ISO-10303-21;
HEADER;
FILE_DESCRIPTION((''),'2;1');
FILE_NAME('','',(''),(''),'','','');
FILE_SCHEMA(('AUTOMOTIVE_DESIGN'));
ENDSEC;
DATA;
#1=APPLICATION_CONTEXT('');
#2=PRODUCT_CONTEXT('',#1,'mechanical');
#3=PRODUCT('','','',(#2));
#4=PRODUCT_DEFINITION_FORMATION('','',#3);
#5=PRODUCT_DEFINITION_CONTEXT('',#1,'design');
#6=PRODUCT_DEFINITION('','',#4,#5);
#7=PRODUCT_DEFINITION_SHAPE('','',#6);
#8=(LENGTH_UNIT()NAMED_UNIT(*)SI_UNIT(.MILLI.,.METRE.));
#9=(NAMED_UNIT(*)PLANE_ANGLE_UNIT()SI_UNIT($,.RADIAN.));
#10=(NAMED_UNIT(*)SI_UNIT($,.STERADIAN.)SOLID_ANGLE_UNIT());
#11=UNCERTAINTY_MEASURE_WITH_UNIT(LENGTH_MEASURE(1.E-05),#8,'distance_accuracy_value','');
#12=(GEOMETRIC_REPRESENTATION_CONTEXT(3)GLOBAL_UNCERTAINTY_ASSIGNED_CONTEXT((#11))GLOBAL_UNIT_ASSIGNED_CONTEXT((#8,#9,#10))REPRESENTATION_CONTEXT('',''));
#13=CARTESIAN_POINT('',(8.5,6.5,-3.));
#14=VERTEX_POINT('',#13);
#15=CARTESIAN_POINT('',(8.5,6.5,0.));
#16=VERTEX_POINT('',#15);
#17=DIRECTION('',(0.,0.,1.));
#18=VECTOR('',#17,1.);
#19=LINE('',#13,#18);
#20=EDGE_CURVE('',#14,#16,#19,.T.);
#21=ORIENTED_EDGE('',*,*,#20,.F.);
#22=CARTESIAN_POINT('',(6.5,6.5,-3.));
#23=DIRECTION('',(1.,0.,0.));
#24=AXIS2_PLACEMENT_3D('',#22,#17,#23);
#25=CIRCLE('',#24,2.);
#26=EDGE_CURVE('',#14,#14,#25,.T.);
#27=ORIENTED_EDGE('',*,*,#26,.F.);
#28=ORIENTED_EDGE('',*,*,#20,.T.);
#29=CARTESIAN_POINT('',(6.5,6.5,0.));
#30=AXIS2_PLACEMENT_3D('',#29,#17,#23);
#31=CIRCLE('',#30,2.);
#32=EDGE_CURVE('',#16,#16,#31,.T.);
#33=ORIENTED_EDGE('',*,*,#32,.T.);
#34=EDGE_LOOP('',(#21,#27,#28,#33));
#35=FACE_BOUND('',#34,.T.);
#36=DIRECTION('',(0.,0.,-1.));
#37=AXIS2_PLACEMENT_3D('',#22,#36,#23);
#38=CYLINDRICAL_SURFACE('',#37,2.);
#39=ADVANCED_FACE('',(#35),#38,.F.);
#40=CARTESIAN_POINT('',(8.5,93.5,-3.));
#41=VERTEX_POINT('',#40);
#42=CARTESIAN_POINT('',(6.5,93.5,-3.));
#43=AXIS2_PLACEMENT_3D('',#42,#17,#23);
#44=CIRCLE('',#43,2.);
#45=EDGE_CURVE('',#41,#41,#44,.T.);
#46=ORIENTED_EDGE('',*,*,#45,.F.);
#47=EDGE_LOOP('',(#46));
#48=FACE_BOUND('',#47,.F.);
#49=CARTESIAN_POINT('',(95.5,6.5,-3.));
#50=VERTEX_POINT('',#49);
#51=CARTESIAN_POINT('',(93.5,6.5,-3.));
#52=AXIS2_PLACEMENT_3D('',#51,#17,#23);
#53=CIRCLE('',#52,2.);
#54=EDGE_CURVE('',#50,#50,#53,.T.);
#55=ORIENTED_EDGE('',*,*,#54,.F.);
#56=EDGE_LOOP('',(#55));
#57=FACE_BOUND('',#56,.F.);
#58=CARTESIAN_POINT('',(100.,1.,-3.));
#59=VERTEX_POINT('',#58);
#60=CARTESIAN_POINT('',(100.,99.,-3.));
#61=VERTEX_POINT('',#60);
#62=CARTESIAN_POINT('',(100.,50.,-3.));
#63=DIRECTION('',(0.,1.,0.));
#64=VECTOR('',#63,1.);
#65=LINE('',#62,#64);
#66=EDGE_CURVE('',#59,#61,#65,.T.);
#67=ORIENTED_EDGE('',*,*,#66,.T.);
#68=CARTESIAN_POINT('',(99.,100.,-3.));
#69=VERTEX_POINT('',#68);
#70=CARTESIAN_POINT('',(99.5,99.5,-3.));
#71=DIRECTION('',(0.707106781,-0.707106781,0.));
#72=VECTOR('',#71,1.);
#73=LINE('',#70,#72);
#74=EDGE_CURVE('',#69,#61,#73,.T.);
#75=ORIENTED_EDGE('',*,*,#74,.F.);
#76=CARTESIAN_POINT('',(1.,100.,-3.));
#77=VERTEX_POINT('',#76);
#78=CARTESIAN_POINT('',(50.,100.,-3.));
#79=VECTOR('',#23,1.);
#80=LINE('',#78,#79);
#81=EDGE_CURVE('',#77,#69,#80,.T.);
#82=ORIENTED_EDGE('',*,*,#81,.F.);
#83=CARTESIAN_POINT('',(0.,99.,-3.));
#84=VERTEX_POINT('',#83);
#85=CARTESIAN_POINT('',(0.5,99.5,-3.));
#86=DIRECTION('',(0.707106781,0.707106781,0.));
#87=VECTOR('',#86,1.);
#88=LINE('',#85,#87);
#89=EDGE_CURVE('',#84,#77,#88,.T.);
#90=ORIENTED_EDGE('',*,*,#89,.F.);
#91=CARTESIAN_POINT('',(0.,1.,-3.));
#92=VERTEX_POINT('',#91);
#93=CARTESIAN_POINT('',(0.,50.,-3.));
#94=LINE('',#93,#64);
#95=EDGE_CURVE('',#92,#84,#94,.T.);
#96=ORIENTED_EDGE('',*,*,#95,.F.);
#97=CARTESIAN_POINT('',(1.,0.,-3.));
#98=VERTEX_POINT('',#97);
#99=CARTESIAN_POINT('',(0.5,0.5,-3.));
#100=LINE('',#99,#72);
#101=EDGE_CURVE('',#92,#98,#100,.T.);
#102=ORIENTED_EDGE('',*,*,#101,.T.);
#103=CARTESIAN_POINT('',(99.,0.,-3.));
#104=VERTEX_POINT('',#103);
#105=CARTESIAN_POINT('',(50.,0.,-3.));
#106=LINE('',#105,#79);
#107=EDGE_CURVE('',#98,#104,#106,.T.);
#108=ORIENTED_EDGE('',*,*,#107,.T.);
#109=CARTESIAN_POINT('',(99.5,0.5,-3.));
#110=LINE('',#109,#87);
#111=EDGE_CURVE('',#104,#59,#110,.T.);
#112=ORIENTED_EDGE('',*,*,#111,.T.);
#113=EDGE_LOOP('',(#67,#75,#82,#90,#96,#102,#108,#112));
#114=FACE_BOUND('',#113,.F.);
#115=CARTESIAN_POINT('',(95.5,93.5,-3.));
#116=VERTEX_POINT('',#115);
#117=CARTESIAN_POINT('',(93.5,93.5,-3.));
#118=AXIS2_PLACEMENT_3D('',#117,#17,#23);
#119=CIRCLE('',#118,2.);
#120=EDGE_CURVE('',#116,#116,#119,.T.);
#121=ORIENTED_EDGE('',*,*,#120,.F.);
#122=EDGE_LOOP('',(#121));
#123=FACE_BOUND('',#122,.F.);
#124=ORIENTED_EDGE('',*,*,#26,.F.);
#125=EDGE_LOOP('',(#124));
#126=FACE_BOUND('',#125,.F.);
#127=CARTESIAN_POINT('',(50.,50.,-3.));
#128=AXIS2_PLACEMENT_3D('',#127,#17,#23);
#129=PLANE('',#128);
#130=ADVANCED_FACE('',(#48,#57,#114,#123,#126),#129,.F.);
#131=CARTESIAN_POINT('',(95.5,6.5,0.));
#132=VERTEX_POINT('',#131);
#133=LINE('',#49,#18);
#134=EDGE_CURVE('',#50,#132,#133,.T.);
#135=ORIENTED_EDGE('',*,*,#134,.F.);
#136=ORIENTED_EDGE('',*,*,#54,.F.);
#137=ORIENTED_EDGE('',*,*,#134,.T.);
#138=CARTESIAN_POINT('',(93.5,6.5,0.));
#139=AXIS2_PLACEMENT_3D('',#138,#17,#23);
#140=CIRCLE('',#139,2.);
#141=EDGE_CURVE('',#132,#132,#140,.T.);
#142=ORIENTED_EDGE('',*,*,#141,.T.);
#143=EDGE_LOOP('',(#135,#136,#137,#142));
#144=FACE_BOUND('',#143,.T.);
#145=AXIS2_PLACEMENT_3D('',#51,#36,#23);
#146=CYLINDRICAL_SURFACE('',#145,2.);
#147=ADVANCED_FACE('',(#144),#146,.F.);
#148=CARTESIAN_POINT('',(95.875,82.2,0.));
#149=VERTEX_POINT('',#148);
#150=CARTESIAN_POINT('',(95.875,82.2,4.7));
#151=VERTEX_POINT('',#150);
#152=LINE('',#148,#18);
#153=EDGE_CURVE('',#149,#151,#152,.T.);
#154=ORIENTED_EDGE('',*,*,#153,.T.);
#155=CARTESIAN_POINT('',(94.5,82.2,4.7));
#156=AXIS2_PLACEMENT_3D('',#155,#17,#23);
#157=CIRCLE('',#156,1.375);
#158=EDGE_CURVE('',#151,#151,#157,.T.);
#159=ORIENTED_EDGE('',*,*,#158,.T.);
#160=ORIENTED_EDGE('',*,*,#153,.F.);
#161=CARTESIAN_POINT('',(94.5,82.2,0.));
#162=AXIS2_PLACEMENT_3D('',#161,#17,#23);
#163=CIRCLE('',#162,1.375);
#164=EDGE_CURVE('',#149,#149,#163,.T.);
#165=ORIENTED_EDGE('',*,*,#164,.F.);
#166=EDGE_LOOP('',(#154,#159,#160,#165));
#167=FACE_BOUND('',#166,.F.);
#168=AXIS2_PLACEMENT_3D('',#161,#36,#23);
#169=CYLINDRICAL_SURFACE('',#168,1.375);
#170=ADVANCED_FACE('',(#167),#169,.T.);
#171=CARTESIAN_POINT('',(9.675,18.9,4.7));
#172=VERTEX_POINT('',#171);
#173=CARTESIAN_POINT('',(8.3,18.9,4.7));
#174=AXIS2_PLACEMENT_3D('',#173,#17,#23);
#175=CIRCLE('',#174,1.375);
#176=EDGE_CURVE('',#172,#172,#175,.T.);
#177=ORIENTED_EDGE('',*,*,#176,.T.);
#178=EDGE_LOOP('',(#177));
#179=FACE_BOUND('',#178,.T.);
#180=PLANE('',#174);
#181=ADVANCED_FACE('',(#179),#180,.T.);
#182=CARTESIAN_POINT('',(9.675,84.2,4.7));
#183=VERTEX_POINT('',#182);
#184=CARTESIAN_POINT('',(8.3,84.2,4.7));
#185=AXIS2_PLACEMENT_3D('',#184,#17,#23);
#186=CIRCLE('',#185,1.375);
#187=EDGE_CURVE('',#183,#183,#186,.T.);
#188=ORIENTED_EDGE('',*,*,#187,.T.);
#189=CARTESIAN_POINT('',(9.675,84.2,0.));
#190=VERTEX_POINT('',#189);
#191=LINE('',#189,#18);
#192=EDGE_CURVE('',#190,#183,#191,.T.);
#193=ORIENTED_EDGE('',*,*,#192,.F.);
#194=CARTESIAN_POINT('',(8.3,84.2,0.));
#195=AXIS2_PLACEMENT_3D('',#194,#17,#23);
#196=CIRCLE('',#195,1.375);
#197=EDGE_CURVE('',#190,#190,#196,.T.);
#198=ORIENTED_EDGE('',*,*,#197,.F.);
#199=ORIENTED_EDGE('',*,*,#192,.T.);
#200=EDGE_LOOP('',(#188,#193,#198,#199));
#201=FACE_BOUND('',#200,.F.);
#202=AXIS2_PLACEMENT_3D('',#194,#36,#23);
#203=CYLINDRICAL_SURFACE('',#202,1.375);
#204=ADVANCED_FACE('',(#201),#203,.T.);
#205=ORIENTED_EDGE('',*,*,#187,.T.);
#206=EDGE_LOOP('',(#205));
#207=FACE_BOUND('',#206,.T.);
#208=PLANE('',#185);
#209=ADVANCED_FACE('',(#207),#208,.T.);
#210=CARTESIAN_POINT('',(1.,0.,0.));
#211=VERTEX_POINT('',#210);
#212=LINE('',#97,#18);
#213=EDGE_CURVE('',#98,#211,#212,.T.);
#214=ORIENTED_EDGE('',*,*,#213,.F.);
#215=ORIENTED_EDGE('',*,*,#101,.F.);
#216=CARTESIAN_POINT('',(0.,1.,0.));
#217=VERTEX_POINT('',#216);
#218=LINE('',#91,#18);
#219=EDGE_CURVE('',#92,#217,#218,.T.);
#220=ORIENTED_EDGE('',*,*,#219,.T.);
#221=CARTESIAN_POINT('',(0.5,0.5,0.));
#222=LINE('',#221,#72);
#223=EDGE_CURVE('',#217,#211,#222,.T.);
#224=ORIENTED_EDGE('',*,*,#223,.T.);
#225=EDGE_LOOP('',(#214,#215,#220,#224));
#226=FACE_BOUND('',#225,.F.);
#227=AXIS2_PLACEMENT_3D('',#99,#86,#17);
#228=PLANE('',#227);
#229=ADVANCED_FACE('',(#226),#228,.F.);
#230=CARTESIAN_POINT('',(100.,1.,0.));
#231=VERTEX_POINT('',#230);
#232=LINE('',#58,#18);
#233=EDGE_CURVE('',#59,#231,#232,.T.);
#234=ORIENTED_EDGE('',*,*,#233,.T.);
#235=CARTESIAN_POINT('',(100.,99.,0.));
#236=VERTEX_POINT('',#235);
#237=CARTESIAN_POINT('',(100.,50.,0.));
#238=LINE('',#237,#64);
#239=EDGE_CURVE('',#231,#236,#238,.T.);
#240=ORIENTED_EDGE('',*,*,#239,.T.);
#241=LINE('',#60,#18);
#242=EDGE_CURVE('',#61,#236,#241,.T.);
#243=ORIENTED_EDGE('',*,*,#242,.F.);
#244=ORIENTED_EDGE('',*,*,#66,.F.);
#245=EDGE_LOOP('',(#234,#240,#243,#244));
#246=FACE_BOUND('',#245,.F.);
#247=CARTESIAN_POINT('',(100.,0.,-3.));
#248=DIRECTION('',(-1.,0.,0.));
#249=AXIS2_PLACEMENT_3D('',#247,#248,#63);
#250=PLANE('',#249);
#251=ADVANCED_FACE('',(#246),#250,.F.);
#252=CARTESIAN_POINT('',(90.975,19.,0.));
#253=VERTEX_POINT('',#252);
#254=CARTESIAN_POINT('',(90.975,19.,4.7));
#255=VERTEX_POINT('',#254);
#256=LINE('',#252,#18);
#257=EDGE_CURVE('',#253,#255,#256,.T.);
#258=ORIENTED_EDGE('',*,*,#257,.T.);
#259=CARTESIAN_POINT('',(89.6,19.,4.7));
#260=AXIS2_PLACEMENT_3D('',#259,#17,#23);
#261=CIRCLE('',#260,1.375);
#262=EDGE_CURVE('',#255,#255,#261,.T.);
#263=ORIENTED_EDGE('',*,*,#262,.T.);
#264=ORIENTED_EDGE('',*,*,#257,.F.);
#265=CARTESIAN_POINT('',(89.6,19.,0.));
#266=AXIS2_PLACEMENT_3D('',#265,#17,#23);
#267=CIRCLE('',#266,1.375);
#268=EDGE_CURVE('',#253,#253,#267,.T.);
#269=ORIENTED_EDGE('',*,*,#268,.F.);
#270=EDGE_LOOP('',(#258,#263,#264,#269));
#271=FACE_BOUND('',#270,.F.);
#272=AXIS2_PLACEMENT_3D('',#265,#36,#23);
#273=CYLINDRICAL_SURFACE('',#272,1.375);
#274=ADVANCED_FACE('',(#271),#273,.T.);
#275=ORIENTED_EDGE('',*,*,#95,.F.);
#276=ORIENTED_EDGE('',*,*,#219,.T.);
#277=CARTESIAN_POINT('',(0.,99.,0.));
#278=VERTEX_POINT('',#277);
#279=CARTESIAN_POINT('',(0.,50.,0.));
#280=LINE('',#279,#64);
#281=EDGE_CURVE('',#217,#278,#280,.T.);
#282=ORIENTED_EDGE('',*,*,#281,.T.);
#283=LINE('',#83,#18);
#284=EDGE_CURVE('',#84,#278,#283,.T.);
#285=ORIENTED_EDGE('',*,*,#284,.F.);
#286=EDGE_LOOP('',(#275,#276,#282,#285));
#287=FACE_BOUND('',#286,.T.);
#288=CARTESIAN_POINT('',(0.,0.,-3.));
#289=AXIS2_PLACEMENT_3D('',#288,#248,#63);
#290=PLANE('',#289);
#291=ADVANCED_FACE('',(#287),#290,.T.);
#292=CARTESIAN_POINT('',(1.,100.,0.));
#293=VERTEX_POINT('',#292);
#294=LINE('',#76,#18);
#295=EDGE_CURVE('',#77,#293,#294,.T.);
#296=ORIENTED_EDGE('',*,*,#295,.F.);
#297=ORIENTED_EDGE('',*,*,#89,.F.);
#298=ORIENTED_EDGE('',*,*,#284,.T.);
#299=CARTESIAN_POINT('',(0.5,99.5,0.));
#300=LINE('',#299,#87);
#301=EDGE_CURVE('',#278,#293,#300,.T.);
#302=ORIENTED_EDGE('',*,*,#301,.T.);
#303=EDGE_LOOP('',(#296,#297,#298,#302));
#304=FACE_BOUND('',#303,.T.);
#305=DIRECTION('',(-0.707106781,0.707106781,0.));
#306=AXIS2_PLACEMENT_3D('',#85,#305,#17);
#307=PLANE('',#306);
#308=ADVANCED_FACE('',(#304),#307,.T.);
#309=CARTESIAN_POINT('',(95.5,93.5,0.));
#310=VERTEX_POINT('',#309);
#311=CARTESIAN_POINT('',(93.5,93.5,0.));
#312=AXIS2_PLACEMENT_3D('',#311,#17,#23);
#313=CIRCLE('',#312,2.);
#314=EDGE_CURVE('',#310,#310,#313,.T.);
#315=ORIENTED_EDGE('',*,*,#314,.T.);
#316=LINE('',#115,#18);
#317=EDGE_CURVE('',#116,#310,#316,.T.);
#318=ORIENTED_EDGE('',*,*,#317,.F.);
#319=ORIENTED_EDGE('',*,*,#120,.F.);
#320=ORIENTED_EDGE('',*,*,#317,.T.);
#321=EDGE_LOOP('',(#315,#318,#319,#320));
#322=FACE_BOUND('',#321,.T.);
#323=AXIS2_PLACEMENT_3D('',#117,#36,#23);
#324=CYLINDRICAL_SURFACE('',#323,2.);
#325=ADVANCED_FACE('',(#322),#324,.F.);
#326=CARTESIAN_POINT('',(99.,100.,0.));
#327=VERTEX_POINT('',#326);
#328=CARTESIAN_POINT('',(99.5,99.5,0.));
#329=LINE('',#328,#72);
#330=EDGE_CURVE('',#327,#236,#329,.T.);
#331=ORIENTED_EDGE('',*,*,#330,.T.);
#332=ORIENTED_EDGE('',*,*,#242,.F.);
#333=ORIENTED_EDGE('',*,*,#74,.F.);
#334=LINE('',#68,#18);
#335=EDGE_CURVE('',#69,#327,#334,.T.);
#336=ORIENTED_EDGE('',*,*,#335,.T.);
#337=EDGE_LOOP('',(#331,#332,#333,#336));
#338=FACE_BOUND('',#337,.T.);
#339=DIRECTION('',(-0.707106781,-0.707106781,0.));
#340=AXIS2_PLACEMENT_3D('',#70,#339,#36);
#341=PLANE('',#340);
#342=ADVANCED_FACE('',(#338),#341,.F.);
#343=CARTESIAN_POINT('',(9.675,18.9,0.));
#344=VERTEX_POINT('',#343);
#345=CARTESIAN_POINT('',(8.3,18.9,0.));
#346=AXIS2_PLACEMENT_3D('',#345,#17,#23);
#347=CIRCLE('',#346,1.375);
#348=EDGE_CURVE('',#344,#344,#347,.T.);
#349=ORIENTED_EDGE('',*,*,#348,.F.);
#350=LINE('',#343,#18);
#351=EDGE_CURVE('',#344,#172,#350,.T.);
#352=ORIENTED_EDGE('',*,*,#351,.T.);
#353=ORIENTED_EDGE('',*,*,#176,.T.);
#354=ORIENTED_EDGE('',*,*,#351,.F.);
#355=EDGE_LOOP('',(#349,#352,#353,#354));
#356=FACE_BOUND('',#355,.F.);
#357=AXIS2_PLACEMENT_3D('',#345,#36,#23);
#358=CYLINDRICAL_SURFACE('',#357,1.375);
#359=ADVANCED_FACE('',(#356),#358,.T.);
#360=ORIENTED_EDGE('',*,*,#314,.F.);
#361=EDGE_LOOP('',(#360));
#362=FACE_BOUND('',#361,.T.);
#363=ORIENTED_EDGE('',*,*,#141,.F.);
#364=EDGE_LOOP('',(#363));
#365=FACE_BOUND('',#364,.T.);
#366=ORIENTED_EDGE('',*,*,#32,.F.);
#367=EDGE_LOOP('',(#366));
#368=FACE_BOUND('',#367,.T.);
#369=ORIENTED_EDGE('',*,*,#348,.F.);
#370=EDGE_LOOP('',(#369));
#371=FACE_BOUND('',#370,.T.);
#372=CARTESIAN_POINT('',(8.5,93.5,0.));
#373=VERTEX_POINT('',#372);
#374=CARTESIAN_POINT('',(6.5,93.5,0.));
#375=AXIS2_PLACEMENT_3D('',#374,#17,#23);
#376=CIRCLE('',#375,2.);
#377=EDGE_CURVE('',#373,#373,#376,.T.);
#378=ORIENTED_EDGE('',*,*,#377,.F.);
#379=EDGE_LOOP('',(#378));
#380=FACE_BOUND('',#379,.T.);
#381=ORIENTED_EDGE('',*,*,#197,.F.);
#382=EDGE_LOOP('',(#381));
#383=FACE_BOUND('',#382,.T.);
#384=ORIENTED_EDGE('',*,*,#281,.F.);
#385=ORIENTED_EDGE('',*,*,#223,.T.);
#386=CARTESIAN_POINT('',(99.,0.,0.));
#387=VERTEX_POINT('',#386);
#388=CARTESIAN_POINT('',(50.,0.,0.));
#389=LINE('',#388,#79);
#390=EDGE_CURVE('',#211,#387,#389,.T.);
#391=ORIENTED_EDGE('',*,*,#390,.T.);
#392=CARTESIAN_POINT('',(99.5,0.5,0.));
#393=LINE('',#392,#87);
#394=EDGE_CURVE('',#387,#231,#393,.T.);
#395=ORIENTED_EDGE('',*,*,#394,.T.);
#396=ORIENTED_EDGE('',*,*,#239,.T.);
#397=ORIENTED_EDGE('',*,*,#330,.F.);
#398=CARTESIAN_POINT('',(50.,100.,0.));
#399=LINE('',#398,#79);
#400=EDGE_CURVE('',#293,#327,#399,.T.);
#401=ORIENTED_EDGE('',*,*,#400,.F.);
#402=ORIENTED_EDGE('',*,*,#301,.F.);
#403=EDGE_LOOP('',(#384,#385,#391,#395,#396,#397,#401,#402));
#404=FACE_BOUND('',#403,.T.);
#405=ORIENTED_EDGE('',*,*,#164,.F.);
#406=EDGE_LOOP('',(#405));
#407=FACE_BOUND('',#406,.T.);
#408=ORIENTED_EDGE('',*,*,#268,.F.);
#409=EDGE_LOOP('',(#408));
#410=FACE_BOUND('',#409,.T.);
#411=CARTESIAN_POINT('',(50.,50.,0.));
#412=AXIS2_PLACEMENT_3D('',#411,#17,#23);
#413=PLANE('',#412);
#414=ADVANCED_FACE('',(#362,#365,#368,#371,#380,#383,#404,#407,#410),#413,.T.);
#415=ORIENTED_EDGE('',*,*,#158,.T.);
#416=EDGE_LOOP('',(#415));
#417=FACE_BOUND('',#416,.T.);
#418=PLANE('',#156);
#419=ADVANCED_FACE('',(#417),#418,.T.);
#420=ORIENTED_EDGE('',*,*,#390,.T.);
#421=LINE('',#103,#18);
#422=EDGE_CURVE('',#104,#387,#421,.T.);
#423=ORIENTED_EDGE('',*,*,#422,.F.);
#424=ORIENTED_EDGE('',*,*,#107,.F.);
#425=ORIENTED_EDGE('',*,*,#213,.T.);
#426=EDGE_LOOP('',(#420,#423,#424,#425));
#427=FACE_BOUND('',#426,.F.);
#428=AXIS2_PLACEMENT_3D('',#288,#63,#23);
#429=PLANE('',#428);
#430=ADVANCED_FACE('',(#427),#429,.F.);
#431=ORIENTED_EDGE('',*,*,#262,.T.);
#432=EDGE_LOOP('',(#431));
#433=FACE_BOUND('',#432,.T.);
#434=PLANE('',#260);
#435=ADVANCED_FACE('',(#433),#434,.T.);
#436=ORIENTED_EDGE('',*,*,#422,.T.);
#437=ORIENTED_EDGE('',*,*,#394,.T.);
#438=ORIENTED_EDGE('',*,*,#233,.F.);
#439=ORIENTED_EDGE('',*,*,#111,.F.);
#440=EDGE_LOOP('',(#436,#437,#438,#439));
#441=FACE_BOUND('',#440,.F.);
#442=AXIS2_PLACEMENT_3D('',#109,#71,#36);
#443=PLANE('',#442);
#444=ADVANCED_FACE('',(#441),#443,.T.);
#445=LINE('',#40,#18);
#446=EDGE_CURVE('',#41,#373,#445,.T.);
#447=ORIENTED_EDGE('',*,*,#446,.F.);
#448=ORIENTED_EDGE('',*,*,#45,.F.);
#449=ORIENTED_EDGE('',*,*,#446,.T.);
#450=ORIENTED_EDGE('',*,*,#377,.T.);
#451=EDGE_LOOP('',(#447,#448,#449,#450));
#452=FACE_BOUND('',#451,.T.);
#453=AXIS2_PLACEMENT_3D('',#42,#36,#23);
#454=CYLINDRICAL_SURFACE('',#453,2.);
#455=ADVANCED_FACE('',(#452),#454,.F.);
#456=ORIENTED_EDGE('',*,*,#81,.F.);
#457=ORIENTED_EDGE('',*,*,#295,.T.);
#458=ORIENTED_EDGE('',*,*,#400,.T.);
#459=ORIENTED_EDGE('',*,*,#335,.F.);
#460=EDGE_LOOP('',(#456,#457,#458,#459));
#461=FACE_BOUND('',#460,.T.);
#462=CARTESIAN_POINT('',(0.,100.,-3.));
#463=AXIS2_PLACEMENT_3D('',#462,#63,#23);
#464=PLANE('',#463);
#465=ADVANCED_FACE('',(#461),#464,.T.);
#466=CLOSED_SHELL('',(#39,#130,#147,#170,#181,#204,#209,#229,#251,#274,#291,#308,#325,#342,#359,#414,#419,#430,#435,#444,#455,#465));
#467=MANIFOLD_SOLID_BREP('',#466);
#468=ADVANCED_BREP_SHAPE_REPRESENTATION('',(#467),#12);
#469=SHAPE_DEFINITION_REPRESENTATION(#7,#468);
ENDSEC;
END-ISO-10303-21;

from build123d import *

# Parameters (mm, degrees)
CYLINDER004_R     = 1.375
CYLINDER004_DEPTH = 4.7
CYLINDER005_R     = 1.375
CYLINDER005_DEPTH = 4.7
CYLINDER006_R     = 1.375
CYLINDER006_DEPTH = 4.7
CYLINDER007_R     = 1.375
CYLINDER007_DEPTH = 4.7
CYLINDER_R        = 2
CYLINDER_DEPTH    = 3
CYLINDER001_R     = 2
CYLINDER001_DEPTH = 3
CYLINDER002_R     = 2
CYLINDER002_DEPTH = 3
CYLINDER003_R     = 2
CYLINDER003_DEPTH = 3
BOX_W             = 100
BOX_H             = 100
BOX_DEPTH         = 3
CHAMFER_SIZE      = 1


with BuildPart() as main_ata_board_mounting_screws:
    # Cylinder004 → Cylinder004 (new body)
    with BuildSketch(Plane(origin=(8.3, 18.9, 3), x_dir=(1, 0, 0), z_dir=(0, 0, 1))):
        Circle(CYLINDER004_R)
    extrude(amount=CYLINDER004_DEPTH)


with BuildPart() as main_ata_board_mounting_screws001:
    # Cylinder005 → Cylinder005 (new body)
    with BuildSketch(Plane(origin=(8.3, 84.2, 3), x_dir=(1, 0, 0), z_dir=(0, 0, 1))):
        Circle(CYLINDER005_R)
    extrude(amount=CYLINDER005_DEPTH)


with BuildPart() as main_ata_board_mounting_screws002:
    # Cylinder006 → Cylinder006 (new body)
    with BuildSketch(Plane(origin=(89.6, 19, 3), x_dir=(1, 0, 0), z_dir=(0, 0, 1))):
        Circle(CYLINDER006_R)
    extrude(amount=CYLINDER006_DEPTH)


with BuildPart() as ata_board_mounting_screw_stubs:
    # Cylinder007 → Cylinder007 (new body)
    with BuildSketch(Plane(origin=(94.5, 82.2, 3), x_dir=(1, 0, 0), z_dir=(0, 0, 1))):
        Circle(CYLINDER007_R)
    extrude(amount=CYLINDER007_DEPTH)

    # Fusion001: union Main ATA Board Mounting Screws, Main ATA Board Mounting Screws001, Main ATA Board Mounting Screws002
    add(main_ata_board_mounting_screws.part)
    add(main_ata_board_mounting_screws001.part)
    add(main_ata_board_mounting_screws002.part)


with BuildPart() as f_1u_post_holes:
    # Cylinder → Cylinder (new body)
    with BuildSketch(Plane(origin=(6.5, 6.5, 0), x_dir=(1, 0, 0), z_dir=(0, 0, 1))):
        Circle(CYLINDER_R)
    extrude(amount=CYLINDER_DEPTH)


with BuildPart() as f_1u_post_holes001:
    # Cylinder001 → Cylinder001 (new body)
    with BuildSketch(Plane(origin=(93.5, 6.5, 0), x_dir=(1, 0, 0), z_dir=(0, 0, 1))):
        Circle(CYLINDER001_R)
    extrude(amount=CYLINDER001_DEPTH)


with BuildPart() as f_1u_post_holes002:
    # Cylinder002 → Cylinder002 (new body)
    with BuildSketch(Plane(origin=(93.5, 93.5, 0), x_dir=(1, 0, 0), z_dir=(0, 0, 1))):
        Circle(CYLINDER002_R)
    extrude(amount=CYLINDER002_DEPTH)


with BuildPart() as f_1u_post_holes_assembly:
    # Cylinder003 → Cylinder003 (new body)
    with BuildSketch(Plane(origin=(6.5, 93.5, 0), x_dir=(1, 0, 0), z_dir=(0, 0, 1))):
        Circle(CYLINDER003_R)
    extrude(amount=CYLINDER003_DEPTH)

    # Fusion: union 1U Post Holes, 1U Post Holes001, 1U Post Holes002
    add(f_1u_post_holes.part)
    add(f_1u_post_holes001.part)
    add(f_1u_post_holes002.part)


with BuildPart() as mounting_ata_aluminium:
    # Box → Box (new body)
    with BuildSketch(Plane.XY):
        with Locations((50, 50)):
            Rectangle(BOX_W, BOX_H)
    extrude(amount=BOX_DEPTH)

    # Cut: cut 1U post holes assembly
    add(f_1u_post_holes_assembly.part, mode=Mode.SUBTRACT)

    # Chamfer
    chamfer_edges = [mounting_ata_aluminium.edges().sort_by_distance(p)[0] for p in [
        (0, 0, 1.5),
        (0, 100, 1.5),
        (100, 0, 1.5),
        (100, 100, 1.5),
    ]]
    chamfer(chamfer_edges, length=CHAMFER_SIZE)

    # Fusion002: union ATA Board mounting screw stubs
    add(ata_board_mounting_screw_stubs.part)


with BuildPart() as mounting_ata_aluminium_1:
    # Fusion002 placement: moved
    add(mounting_ata_aluminium.part.moved(Location((0, 0, -3))))


solid = mounting_ata_aluminium_1.part
